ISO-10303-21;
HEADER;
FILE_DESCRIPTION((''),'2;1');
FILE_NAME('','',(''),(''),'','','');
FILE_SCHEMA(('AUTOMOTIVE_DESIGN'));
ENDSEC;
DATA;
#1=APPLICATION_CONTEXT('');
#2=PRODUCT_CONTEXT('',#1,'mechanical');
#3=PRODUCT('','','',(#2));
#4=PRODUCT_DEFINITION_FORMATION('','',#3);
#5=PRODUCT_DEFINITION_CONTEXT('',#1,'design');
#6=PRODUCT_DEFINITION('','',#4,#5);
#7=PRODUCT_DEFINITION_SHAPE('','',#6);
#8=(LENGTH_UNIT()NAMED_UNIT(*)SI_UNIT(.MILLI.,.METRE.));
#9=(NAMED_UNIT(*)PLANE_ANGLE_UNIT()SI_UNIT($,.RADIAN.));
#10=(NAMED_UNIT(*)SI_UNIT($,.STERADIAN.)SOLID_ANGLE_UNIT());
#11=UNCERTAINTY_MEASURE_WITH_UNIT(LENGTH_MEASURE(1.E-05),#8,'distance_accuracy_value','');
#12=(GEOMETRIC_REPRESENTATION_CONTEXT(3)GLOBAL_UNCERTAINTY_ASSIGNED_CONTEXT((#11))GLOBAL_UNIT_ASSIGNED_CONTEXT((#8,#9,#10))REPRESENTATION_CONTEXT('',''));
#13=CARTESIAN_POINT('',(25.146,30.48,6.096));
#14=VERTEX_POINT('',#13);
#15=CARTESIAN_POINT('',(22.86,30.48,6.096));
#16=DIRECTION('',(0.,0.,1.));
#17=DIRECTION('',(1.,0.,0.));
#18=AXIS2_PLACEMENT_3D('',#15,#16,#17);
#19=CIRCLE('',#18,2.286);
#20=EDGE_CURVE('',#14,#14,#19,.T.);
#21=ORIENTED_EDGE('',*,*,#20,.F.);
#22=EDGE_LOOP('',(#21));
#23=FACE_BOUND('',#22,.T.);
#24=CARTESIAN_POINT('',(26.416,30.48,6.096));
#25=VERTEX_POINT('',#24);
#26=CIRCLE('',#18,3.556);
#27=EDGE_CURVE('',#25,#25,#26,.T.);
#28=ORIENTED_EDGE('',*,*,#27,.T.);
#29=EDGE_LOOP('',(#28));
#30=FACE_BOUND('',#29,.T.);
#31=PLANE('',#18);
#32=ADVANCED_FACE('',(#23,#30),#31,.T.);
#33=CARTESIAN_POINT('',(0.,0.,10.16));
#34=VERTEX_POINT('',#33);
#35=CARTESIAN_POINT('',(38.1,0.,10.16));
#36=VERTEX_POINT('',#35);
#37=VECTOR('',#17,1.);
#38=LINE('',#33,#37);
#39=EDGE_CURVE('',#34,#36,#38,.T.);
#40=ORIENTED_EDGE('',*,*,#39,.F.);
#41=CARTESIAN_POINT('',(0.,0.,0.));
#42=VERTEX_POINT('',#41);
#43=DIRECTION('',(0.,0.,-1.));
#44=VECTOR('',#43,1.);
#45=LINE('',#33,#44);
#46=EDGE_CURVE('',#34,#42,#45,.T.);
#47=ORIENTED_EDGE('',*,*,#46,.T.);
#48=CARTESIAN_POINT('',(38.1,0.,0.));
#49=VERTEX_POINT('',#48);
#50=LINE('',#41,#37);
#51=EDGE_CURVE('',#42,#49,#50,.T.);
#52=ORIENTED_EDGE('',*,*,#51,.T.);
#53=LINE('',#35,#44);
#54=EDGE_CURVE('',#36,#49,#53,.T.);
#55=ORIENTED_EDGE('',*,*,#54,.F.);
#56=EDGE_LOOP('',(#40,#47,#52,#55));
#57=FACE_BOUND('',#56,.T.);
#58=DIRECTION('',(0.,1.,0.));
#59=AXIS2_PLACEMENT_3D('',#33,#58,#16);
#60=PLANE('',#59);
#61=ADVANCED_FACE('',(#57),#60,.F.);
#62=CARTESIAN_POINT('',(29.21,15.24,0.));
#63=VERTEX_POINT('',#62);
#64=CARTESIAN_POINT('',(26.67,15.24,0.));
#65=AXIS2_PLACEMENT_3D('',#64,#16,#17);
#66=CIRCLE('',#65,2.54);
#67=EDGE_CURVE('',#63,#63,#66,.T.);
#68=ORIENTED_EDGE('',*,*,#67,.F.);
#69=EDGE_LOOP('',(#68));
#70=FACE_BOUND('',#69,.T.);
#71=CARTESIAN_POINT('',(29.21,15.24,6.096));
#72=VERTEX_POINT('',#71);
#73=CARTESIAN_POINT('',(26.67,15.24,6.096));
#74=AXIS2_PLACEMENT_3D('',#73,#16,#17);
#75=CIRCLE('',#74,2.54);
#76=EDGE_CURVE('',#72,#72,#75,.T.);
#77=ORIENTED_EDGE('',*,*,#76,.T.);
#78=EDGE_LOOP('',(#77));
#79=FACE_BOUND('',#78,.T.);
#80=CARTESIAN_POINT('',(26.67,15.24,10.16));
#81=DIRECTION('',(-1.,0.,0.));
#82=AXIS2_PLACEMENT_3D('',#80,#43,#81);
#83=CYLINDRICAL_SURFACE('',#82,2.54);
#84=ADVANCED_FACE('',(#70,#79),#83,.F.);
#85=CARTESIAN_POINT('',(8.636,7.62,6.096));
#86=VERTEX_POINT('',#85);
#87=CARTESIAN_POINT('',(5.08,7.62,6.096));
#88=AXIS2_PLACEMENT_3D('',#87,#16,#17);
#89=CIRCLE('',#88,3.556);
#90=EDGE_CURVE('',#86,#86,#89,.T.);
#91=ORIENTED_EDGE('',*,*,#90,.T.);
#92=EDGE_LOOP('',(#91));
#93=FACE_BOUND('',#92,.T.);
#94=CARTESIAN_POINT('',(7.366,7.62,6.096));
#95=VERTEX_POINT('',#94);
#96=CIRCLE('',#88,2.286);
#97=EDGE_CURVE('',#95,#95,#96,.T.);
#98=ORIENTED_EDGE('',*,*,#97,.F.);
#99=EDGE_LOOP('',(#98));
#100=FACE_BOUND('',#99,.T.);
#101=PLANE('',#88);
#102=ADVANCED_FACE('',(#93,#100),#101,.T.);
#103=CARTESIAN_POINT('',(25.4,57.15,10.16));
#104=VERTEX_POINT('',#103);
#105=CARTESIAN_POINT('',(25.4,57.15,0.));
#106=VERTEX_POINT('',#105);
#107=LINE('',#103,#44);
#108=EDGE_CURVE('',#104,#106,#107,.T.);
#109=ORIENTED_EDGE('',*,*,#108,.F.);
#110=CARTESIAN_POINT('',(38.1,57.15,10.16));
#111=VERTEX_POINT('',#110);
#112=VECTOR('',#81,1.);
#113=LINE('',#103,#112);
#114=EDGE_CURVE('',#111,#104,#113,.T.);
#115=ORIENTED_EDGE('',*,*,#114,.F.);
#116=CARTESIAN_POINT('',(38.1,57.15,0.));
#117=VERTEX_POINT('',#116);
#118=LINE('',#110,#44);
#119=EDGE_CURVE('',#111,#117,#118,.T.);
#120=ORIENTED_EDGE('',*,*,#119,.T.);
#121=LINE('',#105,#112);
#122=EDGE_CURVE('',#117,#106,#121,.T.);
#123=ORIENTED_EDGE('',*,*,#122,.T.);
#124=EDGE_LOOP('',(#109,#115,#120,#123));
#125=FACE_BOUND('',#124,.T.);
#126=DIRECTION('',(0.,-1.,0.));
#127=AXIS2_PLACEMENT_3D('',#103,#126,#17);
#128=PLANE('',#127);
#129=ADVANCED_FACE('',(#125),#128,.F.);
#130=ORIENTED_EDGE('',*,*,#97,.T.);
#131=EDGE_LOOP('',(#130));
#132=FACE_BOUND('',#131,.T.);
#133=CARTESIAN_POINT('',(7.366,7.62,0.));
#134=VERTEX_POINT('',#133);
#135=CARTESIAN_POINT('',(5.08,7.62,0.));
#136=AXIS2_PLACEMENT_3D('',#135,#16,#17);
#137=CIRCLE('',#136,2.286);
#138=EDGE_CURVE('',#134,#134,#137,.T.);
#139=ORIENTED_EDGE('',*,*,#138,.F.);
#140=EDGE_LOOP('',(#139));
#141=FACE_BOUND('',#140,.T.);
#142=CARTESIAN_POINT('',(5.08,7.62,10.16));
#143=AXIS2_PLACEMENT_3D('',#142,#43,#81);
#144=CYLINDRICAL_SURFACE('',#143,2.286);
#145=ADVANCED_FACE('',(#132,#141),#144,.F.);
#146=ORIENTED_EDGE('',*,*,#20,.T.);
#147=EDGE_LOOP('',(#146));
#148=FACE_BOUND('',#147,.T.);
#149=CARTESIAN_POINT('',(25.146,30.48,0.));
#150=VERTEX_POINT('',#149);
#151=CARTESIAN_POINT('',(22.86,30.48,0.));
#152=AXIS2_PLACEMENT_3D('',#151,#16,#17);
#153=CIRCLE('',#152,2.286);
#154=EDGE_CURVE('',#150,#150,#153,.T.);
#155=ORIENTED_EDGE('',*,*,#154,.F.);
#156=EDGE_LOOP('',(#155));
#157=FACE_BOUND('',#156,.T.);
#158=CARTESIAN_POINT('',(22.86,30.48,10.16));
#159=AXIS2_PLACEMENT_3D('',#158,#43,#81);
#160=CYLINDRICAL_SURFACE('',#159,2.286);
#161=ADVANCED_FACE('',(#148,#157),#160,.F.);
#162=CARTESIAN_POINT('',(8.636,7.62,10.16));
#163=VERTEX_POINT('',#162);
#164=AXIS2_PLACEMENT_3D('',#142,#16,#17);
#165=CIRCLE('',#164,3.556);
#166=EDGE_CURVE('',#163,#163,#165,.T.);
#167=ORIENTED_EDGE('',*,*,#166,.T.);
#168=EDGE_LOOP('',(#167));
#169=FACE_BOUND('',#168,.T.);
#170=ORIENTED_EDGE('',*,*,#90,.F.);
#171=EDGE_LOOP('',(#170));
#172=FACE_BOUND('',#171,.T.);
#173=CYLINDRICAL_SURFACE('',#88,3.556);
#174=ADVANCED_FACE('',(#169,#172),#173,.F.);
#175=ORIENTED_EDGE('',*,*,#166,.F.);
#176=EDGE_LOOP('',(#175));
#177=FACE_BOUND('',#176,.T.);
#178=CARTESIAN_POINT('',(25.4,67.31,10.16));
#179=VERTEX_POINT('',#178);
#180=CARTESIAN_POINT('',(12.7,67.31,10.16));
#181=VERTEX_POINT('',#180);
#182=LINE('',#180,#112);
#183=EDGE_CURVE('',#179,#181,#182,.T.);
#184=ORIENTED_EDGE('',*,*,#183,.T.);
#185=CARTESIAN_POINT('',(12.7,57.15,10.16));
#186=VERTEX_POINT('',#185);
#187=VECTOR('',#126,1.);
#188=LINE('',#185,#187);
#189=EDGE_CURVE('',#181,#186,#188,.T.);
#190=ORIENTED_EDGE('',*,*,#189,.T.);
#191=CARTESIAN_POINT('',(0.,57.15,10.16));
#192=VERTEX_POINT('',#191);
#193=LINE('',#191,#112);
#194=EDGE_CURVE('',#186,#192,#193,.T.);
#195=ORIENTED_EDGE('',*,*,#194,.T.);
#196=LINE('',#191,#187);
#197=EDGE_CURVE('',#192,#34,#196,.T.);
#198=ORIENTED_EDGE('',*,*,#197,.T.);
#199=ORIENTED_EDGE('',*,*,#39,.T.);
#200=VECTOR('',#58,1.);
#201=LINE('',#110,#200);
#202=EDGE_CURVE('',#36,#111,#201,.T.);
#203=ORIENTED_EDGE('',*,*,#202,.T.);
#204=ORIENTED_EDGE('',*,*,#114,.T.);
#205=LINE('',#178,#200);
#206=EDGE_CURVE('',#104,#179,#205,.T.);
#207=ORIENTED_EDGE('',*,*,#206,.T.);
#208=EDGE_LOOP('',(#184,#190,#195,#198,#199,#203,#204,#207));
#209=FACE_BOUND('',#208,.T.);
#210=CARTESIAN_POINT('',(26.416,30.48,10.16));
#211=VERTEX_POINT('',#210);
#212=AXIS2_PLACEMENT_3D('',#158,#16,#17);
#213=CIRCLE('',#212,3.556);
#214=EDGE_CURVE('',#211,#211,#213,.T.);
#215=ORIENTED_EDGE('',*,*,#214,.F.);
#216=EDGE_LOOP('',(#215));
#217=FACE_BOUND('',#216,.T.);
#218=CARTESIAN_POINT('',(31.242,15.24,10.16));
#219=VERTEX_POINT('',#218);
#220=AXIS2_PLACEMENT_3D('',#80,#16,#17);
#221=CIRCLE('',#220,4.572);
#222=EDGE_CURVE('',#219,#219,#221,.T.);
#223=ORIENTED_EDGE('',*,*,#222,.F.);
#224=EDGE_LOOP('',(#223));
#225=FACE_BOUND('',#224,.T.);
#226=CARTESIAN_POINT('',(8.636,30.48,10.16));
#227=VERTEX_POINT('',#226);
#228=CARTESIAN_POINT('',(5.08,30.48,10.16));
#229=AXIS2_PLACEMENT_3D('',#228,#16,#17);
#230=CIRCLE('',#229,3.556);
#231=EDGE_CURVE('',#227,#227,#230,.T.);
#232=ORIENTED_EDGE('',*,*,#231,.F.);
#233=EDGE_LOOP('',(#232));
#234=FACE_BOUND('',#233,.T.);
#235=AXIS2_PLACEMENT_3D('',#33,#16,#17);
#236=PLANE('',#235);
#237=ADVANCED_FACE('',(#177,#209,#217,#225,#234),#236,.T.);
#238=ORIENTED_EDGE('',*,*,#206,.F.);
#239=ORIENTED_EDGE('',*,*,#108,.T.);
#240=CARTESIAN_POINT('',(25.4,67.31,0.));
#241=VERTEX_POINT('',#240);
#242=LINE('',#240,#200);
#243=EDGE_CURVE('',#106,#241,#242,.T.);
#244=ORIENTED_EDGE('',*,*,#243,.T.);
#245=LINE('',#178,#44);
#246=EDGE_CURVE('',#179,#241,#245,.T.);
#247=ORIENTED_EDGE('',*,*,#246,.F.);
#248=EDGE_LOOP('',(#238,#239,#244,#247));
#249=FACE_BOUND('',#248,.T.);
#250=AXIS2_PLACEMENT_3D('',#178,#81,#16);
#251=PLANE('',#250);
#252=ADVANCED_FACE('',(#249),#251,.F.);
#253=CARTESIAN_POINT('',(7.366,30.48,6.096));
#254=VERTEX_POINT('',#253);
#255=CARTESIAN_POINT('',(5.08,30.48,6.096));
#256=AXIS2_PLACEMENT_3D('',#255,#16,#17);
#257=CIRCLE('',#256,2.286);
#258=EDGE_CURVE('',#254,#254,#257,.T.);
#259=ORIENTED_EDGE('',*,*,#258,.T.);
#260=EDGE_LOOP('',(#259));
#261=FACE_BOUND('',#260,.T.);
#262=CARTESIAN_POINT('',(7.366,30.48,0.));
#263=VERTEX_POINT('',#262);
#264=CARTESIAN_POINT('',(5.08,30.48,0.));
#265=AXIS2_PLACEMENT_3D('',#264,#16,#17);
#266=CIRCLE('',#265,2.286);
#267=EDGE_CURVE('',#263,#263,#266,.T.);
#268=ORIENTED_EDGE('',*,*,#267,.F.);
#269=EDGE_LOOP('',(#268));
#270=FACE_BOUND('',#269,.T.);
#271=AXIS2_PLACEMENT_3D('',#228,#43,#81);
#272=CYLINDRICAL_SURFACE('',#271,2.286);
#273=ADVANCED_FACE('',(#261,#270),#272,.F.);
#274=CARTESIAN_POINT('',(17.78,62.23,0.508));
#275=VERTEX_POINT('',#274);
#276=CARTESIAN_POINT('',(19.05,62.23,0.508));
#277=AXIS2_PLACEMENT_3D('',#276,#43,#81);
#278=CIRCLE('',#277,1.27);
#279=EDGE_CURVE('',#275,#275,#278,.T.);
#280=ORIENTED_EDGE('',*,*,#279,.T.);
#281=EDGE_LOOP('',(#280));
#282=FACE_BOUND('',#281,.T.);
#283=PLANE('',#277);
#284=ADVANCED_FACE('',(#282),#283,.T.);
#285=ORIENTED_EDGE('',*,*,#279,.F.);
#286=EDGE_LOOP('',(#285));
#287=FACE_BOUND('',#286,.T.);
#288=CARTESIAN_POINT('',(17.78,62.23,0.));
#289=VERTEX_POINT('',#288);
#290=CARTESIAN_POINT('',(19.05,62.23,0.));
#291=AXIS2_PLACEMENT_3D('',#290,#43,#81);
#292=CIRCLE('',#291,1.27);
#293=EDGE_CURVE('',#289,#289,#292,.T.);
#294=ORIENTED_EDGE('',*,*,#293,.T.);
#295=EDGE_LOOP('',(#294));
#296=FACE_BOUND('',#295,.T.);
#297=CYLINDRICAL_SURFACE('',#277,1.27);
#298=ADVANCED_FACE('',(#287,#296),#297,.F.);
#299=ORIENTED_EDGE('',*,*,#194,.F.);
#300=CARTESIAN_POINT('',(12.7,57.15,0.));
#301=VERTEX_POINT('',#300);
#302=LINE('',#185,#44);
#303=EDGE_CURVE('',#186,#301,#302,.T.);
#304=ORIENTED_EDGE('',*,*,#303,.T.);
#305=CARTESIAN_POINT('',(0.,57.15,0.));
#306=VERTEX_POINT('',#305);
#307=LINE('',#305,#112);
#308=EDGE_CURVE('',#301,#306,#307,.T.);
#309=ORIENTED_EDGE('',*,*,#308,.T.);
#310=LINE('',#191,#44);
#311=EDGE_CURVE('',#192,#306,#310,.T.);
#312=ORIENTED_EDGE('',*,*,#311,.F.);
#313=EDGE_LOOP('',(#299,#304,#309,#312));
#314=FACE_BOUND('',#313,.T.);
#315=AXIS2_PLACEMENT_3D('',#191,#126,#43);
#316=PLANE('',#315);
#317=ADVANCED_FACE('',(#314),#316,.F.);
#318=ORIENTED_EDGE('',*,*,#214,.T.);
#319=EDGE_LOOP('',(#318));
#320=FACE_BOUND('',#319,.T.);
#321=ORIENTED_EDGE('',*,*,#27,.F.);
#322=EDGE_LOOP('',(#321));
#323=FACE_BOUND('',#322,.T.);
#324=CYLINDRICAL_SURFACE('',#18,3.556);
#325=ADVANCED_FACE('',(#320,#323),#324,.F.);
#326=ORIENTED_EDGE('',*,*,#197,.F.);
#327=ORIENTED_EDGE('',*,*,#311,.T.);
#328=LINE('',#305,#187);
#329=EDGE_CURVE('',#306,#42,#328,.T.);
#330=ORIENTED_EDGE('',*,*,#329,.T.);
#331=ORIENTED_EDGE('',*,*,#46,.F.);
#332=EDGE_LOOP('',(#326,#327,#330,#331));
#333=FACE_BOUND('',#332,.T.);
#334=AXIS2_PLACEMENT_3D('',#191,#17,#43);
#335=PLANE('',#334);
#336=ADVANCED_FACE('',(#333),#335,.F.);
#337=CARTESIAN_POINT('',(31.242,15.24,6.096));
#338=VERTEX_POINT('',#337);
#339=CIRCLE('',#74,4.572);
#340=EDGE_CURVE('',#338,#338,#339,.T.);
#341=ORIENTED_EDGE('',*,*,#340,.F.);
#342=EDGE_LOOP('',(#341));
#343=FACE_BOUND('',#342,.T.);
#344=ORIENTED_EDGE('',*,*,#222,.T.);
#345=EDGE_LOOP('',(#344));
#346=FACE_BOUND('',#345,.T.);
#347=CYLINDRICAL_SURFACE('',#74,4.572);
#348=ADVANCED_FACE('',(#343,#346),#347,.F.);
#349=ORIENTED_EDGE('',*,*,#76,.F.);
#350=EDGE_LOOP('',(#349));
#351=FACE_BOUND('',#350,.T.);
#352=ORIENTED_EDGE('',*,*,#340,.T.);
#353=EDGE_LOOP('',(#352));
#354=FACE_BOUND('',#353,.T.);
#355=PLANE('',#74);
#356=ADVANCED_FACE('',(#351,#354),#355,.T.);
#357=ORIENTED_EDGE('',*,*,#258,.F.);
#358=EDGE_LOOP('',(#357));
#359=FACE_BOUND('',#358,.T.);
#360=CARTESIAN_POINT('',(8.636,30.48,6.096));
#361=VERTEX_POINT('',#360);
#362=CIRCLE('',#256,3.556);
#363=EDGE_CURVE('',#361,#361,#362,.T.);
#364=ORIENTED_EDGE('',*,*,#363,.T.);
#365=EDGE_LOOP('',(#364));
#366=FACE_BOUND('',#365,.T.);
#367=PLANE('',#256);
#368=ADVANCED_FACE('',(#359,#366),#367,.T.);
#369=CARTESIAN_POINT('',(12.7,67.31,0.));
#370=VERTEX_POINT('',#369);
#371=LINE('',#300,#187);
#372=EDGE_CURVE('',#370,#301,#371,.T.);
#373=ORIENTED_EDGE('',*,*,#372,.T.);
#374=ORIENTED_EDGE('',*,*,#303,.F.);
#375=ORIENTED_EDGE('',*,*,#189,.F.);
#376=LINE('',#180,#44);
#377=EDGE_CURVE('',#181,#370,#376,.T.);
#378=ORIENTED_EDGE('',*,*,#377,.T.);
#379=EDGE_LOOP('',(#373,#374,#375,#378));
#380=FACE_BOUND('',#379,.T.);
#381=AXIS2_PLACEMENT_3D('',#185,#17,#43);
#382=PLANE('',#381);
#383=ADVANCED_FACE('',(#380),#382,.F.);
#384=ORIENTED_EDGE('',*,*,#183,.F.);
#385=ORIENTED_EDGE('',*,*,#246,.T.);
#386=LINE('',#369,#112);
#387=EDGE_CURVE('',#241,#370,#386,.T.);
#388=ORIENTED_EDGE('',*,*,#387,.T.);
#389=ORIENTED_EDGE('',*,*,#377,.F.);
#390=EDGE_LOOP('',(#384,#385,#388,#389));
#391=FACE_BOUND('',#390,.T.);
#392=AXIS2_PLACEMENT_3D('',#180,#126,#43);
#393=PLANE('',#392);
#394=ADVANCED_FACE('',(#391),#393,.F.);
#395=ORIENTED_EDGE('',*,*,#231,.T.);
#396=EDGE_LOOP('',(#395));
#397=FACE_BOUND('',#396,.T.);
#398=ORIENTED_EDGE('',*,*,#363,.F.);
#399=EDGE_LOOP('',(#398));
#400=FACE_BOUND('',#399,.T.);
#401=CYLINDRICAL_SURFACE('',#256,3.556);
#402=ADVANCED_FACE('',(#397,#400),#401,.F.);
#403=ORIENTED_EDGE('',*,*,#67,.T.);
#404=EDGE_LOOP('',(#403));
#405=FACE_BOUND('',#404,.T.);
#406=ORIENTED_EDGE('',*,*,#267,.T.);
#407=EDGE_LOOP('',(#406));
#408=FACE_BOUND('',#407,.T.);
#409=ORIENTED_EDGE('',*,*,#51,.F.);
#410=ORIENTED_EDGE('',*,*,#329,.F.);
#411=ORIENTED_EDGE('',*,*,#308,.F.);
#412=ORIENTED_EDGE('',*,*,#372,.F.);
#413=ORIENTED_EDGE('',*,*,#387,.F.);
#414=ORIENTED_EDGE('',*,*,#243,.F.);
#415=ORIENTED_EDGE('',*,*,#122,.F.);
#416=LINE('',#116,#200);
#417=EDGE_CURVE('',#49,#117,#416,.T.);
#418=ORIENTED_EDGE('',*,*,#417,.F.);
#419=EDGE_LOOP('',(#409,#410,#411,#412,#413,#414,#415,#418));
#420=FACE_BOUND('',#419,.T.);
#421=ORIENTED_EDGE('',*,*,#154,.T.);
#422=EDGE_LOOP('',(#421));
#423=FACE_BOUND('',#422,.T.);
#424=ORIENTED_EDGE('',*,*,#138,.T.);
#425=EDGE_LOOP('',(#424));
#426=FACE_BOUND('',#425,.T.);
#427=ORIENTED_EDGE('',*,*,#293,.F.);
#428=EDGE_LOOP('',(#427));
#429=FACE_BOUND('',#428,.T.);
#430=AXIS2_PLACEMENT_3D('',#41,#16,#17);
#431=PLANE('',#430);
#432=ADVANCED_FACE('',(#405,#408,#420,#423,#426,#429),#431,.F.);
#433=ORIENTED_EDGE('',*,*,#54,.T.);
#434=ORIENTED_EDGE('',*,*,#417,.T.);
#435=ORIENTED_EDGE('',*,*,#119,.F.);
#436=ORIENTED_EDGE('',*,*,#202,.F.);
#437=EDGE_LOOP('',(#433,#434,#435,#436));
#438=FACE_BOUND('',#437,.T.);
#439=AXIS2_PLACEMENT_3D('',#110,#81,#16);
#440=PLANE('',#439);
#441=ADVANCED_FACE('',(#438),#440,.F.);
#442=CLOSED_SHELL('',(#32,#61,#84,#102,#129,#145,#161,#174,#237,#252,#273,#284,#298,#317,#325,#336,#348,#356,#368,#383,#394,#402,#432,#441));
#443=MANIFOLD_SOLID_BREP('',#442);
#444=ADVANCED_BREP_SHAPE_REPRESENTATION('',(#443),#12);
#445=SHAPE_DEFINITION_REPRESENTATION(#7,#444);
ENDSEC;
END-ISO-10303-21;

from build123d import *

# Parameters (mm, degrees)
SKETCH1_R           = 2.286
SKETCH1_R_2         = 2.54
BOSS_EXTRUDE1_DEPTH = 10.16
SKETCH7_R           = 3.556
SKETCH7_R_2         = 4.572
CUT_EXTRUDE1_DEPTH  = 4.064
SKETCH3_R           = 1.27
CUT_EXTRUDE2_DEPTH  = 0.508


with BuildPart() as part:
    # Sketch1 → Boss-Extrude1 (new body)
    with BuildSketch(Plane.XY):
        Polygon((0, 57.15), (12.7, 57.15), (12.7, 67.31), (25.4, 67.31), (25.4, 57.15), (38.1, 57.15), (38.1, 0), (0, 0), align=None)
        with Locations((5.08, 7.62)):
            Circle(SKETCH1_R, mode=Mode.SUBTRACT)
        with Locations((5.08, 30.48)):
            Circle(SKETCH1_R, mode=Mode.SUBTRACT)
        with Locations((26.67, 15.24)):
            Circle(SKETCH1_R_2, mode=Mode.SUBTRACT)
        with Locations((22.86, 30.48)):
            Circle(SKETCH1_R, mode=Mode.SUBTRACT)
    extrude(amount=BOSS_EXTRUDE1_DEPTH)

    # Sketch7 → Cut-Extrude1 (cut)
    with BuildSketch(Plane.XY.offset(10.16)):
        with Locations((5.08, 30.48)):
            Circle(SKETCH7_R)
        with Locations((22.86, 30.48)):
            Circle(SKETCH7_R)
        with Locations((5.08, 7.62)):
            Circle(SKETCH7_R)
        with Locations((26.67, 15.24)):
            Circle(SKETCH7_R_2)
    extrude(amount=-CUT_EXTRUDE1_DEPTH, mode=Mode.SUBTRACT)

    # Sketch3 → Cut-Extrude2 (cut)
    with BuildSketch(Plane(origin=(0, 0, 0), x_dir=(-1, 0, 0), z_dir=(0, 0, -1))):
        with Locations((-19.05, 62.23)):
            Circle(SKETCH3_R)
    extrude(amount=-CUT_EXTRUDE2_DEPTH, mode=Mode.SUBTRACT)


solid = part.part
